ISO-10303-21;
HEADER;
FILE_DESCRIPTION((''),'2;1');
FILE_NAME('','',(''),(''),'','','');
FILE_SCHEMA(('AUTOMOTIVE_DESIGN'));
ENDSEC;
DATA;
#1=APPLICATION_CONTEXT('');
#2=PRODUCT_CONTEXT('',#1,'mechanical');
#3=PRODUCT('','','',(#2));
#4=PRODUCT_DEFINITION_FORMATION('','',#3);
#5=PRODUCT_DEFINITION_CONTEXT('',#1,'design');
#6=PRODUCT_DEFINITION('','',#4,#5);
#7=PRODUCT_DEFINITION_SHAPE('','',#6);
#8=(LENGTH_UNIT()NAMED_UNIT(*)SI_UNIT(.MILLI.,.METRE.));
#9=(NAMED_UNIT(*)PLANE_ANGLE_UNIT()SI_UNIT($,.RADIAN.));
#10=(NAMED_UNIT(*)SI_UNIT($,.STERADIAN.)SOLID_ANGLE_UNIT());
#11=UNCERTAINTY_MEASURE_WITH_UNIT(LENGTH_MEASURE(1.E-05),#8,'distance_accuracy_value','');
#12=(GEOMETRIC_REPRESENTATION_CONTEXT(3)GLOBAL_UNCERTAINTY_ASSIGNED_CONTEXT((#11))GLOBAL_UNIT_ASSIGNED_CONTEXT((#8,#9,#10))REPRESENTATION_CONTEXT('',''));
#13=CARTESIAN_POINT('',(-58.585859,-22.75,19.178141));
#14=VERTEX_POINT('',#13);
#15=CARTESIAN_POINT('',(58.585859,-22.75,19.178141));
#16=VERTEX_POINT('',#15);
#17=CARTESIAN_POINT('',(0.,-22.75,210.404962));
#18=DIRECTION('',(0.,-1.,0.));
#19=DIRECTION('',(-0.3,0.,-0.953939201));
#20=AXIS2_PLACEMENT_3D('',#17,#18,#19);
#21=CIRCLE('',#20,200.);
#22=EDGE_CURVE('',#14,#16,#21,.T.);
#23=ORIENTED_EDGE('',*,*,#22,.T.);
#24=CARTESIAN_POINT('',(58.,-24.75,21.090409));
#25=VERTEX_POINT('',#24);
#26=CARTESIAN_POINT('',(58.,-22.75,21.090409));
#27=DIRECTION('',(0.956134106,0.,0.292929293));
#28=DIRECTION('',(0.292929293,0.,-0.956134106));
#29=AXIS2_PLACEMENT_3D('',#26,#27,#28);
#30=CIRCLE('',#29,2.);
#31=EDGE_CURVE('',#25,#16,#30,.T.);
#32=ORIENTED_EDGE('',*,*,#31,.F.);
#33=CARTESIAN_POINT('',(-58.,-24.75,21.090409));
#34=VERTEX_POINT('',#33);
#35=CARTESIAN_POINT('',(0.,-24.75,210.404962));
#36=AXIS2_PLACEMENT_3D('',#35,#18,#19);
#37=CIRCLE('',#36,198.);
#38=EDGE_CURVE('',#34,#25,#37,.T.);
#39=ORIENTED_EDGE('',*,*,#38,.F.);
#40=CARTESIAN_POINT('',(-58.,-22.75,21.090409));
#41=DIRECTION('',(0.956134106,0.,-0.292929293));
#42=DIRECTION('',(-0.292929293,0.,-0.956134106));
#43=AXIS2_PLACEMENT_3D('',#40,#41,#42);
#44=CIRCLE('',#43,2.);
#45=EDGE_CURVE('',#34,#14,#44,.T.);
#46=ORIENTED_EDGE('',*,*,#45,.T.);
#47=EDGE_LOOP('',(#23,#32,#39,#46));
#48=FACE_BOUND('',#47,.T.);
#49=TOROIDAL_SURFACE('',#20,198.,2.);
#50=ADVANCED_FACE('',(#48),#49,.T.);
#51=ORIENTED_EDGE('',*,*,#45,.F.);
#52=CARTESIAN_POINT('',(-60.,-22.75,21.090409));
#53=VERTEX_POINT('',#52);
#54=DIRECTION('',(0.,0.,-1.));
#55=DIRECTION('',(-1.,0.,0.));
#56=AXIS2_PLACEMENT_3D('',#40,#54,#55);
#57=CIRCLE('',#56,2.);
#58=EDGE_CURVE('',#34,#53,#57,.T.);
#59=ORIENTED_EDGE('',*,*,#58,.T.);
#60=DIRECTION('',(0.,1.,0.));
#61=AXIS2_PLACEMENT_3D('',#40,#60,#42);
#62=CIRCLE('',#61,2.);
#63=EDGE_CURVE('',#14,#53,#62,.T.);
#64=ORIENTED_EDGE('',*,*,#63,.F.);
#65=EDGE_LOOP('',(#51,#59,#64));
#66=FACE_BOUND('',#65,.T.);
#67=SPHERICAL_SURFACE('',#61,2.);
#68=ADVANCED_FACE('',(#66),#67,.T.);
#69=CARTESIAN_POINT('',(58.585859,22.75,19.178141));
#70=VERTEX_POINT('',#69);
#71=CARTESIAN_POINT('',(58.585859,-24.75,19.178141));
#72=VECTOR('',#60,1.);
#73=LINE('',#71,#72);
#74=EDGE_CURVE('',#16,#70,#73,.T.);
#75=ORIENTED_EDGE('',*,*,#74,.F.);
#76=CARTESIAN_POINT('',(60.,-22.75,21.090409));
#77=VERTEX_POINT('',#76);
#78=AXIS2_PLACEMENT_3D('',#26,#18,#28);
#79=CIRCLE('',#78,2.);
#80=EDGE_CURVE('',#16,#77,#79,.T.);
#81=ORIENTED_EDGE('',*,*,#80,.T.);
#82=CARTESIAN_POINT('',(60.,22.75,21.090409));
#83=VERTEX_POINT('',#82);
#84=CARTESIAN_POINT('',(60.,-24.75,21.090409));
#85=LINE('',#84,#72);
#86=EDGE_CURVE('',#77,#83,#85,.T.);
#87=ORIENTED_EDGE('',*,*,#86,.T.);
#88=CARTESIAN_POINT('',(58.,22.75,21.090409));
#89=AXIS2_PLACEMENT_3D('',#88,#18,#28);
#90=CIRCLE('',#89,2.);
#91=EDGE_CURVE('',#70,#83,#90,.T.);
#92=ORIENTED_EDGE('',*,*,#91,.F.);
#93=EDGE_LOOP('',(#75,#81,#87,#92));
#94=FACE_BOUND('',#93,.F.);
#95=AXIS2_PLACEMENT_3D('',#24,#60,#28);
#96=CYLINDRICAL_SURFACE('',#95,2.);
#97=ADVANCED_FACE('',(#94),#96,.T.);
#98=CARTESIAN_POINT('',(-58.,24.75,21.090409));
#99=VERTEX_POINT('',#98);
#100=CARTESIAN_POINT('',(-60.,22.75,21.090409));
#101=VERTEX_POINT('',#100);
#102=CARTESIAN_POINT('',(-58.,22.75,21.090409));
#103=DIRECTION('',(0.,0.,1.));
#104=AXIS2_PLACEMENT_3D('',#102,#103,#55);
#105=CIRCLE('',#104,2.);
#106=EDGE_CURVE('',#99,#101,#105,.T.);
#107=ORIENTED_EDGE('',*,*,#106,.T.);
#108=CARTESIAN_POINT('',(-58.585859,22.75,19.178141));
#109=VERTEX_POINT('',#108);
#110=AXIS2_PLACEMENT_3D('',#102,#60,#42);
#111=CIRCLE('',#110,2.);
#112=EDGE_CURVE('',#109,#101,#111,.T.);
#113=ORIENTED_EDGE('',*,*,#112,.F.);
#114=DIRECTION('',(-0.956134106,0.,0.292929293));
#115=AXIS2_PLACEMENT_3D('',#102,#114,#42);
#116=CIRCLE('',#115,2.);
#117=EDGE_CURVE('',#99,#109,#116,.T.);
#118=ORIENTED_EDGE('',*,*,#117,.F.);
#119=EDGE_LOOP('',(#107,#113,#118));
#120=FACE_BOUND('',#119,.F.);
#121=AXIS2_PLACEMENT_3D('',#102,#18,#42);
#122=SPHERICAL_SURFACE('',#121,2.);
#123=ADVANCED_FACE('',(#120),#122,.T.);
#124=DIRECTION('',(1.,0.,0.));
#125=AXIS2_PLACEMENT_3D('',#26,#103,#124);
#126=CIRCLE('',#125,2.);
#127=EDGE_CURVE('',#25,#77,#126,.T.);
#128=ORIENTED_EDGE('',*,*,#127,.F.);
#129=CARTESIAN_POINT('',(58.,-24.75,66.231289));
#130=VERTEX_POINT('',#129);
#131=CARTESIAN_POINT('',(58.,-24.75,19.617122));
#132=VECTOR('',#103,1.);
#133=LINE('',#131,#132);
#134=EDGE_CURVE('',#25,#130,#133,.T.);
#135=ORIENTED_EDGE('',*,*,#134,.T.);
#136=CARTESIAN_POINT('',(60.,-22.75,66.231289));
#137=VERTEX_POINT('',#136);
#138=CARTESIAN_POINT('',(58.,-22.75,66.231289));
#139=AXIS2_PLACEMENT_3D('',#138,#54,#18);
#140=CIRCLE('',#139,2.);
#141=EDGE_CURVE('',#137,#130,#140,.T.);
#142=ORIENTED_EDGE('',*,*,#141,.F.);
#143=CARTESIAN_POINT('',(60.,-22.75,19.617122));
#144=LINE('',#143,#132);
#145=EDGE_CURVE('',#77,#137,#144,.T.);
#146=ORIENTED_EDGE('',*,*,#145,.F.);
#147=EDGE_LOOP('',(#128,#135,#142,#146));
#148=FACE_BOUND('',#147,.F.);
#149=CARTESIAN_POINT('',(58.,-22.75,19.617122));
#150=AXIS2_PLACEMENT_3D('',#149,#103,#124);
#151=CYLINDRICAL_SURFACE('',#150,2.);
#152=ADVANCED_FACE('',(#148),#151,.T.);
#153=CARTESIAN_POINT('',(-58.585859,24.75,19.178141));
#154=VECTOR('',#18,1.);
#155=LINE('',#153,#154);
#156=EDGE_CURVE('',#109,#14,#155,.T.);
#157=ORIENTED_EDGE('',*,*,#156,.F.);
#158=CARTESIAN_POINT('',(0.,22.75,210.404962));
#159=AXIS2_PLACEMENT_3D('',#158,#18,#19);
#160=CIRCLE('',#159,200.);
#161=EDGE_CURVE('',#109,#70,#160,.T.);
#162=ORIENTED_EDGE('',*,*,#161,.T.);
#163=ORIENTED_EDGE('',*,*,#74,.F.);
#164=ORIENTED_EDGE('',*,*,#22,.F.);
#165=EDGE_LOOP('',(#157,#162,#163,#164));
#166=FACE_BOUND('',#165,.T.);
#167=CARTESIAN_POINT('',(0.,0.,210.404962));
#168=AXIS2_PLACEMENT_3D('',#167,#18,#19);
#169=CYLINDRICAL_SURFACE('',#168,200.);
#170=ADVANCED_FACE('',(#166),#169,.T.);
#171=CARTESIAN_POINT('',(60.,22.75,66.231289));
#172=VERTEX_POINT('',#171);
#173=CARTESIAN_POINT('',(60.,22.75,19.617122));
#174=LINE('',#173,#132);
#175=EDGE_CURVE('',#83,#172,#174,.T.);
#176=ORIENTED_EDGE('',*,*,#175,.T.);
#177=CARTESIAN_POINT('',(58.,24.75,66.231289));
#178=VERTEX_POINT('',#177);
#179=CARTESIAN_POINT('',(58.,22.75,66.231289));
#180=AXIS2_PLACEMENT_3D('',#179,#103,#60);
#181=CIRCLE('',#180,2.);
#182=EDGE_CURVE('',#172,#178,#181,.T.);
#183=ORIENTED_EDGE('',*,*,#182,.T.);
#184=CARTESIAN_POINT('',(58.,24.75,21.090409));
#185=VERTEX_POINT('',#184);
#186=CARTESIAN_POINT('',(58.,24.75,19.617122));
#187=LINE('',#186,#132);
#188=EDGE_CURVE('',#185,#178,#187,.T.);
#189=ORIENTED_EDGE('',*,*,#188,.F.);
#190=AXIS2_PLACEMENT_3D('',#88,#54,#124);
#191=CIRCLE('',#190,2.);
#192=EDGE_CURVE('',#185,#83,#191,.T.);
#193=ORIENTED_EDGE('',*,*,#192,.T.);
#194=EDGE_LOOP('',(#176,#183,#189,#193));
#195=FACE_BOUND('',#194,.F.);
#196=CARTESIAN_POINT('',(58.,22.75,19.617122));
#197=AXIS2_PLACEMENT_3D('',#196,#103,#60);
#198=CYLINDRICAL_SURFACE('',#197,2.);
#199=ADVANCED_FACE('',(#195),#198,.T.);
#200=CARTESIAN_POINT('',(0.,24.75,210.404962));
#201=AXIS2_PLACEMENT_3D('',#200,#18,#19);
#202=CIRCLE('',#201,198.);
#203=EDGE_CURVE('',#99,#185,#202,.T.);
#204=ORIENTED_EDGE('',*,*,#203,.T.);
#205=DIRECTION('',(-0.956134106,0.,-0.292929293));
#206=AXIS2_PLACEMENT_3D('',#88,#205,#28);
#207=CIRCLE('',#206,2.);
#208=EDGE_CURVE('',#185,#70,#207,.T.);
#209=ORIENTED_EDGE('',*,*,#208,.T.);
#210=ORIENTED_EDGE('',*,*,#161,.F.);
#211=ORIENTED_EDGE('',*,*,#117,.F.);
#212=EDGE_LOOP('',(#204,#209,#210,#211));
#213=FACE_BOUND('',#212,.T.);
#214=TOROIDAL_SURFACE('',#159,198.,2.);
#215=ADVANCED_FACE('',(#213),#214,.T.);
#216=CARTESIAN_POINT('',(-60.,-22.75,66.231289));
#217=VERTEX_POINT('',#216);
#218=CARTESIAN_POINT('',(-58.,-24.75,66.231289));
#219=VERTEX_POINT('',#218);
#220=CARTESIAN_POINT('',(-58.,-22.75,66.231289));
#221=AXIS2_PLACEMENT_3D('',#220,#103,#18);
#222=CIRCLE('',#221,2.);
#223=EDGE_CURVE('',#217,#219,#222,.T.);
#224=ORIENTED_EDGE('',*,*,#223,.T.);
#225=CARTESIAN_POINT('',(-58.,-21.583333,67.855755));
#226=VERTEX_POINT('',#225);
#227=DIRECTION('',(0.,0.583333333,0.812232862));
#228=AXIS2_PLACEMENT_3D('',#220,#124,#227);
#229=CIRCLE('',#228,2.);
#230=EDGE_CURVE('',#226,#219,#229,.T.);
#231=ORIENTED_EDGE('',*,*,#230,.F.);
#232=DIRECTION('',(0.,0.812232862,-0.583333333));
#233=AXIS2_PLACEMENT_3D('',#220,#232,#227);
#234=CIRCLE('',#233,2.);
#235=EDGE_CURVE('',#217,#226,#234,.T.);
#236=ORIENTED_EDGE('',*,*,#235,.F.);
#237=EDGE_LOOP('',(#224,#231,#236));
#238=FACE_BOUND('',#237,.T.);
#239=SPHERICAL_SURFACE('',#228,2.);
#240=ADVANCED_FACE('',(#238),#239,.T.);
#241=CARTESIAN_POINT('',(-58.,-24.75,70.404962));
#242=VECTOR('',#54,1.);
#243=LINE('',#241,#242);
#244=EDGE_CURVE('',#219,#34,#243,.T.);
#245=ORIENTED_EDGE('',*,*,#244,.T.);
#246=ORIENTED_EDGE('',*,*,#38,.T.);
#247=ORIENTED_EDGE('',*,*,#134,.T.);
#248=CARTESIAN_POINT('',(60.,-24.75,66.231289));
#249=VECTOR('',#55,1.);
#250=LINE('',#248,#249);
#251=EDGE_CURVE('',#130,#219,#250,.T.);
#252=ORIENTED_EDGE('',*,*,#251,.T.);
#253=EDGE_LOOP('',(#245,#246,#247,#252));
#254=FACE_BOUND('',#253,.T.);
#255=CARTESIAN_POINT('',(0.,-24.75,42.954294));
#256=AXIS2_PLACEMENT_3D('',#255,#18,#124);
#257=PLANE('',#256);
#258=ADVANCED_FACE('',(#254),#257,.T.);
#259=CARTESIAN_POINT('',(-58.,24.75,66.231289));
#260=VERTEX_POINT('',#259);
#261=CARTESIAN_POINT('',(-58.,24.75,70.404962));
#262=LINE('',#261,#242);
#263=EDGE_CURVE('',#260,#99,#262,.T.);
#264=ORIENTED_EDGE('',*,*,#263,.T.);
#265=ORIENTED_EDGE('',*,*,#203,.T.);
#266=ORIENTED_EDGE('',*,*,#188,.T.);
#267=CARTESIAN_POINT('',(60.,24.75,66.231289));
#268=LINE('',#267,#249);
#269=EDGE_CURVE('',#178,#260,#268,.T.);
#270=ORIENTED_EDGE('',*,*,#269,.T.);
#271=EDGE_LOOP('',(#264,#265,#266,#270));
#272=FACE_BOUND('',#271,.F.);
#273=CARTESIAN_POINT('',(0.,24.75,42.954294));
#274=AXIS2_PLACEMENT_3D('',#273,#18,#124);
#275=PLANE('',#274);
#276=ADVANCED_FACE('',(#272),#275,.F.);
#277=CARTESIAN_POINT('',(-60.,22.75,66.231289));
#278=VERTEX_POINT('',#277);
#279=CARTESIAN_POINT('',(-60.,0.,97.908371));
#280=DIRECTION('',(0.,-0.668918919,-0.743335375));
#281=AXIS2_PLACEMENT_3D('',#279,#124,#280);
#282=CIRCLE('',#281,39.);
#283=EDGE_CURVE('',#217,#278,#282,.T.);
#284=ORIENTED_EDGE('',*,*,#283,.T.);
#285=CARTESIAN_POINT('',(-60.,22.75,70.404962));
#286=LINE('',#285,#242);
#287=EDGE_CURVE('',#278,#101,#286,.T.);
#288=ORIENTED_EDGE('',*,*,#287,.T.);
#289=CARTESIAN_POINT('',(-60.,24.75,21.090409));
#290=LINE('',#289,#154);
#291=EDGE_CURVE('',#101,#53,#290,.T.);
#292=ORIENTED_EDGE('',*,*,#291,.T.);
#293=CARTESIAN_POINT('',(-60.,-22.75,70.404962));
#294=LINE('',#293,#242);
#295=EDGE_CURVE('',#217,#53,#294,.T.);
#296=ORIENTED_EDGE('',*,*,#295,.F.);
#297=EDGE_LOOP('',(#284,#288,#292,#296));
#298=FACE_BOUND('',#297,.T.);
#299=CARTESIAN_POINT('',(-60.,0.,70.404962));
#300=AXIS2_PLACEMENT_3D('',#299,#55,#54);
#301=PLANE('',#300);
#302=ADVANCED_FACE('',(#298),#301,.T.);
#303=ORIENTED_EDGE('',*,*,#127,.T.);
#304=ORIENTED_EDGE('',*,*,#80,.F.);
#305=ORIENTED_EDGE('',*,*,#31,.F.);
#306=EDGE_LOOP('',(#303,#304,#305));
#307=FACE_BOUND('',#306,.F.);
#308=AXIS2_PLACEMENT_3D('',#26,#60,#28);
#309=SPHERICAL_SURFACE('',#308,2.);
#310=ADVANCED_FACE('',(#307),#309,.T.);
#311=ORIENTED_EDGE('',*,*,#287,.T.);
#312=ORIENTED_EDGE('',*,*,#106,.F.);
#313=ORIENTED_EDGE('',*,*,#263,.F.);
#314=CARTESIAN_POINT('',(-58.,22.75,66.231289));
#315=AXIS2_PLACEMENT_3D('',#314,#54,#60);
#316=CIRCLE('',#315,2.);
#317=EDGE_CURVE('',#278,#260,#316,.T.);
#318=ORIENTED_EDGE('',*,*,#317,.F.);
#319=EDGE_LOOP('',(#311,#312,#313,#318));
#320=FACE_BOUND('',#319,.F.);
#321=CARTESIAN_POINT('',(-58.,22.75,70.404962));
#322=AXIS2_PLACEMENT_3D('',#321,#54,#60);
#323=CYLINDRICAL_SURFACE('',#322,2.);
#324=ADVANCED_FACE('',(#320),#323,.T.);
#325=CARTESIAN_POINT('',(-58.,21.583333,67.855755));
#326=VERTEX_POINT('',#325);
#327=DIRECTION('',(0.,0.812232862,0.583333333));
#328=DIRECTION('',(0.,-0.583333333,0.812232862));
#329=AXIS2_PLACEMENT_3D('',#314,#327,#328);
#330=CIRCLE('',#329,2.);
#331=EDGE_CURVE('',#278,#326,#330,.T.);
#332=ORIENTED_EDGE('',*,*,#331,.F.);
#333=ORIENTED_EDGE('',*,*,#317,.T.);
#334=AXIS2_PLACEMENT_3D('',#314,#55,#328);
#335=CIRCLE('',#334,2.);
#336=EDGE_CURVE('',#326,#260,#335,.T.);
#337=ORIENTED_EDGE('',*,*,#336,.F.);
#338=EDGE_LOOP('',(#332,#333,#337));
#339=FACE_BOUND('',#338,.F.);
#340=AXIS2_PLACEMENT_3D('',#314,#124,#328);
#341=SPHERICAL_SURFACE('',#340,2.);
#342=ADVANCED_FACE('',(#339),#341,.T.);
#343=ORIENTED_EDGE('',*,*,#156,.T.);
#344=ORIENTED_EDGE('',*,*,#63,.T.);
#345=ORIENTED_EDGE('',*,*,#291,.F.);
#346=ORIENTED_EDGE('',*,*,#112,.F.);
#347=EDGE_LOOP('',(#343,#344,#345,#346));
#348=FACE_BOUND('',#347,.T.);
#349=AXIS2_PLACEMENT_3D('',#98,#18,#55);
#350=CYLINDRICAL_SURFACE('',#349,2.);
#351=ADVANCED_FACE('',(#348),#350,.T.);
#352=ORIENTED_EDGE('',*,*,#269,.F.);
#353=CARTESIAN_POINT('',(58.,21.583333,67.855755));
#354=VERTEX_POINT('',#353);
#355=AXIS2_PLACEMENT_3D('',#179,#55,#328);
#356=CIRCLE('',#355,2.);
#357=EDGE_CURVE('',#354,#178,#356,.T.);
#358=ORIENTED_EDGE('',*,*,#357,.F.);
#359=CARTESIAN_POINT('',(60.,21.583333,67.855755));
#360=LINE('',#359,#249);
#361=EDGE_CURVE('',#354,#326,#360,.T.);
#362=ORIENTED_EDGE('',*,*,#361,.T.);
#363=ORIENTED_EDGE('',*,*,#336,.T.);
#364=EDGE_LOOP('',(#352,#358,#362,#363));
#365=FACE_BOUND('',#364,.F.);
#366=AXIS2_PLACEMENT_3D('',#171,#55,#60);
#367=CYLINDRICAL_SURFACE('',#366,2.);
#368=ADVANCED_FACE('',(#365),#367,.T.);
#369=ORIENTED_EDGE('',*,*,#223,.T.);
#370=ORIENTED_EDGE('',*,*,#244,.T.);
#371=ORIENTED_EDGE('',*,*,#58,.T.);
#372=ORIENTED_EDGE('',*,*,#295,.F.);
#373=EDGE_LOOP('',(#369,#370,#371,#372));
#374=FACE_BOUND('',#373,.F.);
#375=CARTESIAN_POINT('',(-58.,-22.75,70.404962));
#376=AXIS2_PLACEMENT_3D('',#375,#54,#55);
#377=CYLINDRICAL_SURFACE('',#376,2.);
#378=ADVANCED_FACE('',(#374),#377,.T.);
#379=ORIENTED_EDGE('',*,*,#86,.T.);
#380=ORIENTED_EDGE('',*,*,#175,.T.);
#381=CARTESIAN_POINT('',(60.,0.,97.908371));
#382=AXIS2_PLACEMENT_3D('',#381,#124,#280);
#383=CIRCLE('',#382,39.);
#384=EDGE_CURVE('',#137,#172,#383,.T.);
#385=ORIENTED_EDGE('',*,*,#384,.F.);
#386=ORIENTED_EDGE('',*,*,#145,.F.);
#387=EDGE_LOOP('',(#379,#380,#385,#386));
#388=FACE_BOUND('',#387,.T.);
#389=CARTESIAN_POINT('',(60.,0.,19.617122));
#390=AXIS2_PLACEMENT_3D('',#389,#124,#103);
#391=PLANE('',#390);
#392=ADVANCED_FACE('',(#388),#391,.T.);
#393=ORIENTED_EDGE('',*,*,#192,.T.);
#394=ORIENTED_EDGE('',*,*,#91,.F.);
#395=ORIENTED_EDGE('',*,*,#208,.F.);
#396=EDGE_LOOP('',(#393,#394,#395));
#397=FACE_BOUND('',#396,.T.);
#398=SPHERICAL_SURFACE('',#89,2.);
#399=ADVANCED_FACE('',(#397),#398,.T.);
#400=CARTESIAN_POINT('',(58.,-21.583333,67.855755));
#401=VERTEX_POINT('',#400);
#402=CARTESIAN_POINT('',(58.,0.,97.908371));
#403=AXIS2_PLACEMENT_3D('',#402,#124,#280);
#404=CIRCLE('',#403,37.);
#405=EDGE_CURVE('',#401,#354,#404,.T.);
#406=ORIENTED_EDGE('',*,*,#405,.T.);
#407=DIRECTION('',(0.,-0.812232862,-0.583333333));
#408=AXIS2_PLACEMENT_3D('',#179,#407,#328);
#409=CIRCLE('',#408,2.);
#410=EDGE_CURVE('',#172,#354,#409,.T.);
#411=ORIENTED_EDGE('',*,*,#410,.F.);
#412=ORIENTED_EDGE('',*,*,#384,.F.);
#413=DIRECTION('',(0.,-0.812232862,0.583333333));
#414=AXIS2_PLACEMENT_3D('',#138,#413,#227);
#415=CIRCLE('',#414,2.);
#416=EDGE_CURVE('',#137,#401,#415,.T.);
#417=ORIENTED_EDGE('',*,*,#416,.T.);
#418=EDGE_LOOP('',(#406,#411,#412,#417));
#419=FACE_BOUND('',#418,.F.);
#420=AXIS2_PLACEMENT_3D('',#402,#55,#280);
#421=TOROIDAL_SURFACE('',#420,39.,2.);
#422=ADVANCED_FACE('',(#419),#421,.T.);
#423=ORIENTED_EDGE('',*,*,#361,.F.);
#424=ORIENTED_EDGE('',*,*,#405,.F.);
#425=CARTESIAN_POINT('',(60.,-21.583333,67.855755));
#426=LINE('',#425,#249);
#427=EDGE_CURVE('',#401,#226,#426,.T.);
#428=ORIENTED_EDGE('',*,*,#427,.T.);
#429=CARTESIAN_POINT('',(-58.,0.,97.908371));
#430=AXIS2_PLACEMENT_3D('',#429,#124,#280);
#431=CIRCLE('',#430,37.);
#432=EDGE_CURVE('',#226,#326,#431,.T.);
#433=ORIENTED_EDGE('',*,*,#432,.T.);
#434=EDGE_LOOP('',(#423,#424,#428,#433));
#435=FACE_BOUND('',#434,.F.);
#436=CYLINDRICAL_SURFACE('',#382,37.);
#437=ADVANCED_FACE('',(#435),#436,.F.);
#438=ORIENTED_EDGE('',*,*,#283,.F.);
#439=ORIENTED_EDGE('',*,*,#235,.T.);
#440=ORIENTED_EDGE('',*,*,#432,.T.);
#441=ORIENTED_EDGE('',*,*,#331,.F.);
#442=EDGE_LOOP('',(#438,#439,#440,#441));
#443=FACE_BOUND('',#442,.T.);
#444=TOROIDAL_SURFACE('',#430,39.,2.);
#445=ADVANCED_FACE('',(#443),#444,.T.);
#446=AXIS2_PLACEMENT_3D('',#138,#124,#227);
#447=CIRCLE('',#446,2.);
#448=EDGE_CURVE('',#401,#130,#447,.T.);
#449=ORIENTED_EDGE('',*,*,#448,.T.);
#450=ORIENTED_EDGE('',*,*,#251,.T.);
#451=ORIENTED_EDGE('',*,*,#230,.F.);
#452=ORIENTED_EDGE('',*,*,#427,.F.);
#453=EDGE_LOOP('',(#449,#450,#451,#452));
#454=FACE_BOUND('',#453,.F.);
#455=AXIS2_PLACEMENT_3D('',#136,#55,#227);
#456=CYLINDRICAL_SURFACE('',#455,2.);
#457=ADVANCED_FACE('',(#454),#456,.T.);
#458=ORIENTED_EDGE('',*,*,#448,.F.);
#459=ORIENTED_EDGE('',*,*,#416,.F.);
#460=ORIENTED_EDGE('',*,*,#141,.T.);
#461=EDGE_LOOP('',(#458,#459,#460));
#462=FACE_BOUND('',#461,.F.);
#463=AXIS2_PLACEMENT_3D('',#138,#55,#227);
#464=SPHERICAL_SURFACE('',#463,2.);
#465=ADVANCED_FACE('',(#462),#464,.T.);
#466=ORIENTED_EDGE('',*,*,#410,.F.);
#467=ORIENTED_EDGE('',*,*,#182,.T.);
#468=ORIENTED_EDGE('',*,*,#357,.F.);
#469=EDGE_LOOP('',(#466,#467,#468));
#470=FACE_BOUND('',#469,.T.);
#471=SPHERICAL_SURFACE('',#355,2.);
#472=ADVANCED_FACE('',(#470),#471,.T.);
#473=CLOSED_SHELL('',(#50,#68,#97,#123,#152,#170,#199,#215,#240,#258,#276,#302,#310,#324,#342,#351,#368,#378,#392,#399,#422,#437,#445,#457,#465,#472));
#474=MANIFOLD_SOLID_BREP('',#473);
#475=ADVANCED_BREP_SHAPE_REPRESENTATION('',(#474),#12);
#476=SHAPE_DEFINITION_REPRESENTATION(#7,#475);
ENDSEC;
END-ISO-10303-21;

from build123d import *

# Parameters (mm, degrees)
F1_DEPTH = 24.75
F3_DEPTH = 120
F4_R     = 2


with BuildPart() as f1:
    # F0 (on Front) → F1 (new body, symmetric)
    with BuildSketch(Plane.XZ):
        with BuildLine():
            Line((60, 70.4049621774), (-60, 70.4049621774))
            Line((-60, 70.4049621774), (-60, 19.617121894))
            ThreePointArc((-60, 19.617121894), (0, 10.4049621774), (60, 19.617121894))
            Line((60, 19.617121894), (60, 70.4049621774))
        make_face()
    extrude(amount=F1_DEPTH, both=True)

    # F2 (on face) → F3 (cut)
    with BuildSketch(Plane.YZ.offset(60)):
        with BuildLine():
            Line((24.75, 70.4049621774), (-24.75, 70.4049621774))
            ThreePointArc((-24.75, 70.4049621774), (0, 60.908371057), (24.75, 70.4049621774))
        make_face()
    extrude(amount=-F3_DEPTH, mode=Mode.SUBTRACT)

    # F4
    f4_edges = [f1.edges().sort_by_distance(p)[0] for p in [
        (0, -24.75, 70.404962),
        (0, 24.75, 70.404962),
        (60, 0, 60.908371),
        (60, -24.75, 45.011042),
        (60, 24.75, 45.011042),
        (60, 0, 19.617122),
        (-60, 0, 60.908371),
        (-60, -24.75, 45.011042),
        (-60, 24.75, 45.011042),
        (-60, 0, 19.617122),
        (0, -24.75, 10.404962),
        (0, 24.75, 10.404962),
    ]]
    fillet(f4_edges, radius=F4_R)


solid = f1.part
